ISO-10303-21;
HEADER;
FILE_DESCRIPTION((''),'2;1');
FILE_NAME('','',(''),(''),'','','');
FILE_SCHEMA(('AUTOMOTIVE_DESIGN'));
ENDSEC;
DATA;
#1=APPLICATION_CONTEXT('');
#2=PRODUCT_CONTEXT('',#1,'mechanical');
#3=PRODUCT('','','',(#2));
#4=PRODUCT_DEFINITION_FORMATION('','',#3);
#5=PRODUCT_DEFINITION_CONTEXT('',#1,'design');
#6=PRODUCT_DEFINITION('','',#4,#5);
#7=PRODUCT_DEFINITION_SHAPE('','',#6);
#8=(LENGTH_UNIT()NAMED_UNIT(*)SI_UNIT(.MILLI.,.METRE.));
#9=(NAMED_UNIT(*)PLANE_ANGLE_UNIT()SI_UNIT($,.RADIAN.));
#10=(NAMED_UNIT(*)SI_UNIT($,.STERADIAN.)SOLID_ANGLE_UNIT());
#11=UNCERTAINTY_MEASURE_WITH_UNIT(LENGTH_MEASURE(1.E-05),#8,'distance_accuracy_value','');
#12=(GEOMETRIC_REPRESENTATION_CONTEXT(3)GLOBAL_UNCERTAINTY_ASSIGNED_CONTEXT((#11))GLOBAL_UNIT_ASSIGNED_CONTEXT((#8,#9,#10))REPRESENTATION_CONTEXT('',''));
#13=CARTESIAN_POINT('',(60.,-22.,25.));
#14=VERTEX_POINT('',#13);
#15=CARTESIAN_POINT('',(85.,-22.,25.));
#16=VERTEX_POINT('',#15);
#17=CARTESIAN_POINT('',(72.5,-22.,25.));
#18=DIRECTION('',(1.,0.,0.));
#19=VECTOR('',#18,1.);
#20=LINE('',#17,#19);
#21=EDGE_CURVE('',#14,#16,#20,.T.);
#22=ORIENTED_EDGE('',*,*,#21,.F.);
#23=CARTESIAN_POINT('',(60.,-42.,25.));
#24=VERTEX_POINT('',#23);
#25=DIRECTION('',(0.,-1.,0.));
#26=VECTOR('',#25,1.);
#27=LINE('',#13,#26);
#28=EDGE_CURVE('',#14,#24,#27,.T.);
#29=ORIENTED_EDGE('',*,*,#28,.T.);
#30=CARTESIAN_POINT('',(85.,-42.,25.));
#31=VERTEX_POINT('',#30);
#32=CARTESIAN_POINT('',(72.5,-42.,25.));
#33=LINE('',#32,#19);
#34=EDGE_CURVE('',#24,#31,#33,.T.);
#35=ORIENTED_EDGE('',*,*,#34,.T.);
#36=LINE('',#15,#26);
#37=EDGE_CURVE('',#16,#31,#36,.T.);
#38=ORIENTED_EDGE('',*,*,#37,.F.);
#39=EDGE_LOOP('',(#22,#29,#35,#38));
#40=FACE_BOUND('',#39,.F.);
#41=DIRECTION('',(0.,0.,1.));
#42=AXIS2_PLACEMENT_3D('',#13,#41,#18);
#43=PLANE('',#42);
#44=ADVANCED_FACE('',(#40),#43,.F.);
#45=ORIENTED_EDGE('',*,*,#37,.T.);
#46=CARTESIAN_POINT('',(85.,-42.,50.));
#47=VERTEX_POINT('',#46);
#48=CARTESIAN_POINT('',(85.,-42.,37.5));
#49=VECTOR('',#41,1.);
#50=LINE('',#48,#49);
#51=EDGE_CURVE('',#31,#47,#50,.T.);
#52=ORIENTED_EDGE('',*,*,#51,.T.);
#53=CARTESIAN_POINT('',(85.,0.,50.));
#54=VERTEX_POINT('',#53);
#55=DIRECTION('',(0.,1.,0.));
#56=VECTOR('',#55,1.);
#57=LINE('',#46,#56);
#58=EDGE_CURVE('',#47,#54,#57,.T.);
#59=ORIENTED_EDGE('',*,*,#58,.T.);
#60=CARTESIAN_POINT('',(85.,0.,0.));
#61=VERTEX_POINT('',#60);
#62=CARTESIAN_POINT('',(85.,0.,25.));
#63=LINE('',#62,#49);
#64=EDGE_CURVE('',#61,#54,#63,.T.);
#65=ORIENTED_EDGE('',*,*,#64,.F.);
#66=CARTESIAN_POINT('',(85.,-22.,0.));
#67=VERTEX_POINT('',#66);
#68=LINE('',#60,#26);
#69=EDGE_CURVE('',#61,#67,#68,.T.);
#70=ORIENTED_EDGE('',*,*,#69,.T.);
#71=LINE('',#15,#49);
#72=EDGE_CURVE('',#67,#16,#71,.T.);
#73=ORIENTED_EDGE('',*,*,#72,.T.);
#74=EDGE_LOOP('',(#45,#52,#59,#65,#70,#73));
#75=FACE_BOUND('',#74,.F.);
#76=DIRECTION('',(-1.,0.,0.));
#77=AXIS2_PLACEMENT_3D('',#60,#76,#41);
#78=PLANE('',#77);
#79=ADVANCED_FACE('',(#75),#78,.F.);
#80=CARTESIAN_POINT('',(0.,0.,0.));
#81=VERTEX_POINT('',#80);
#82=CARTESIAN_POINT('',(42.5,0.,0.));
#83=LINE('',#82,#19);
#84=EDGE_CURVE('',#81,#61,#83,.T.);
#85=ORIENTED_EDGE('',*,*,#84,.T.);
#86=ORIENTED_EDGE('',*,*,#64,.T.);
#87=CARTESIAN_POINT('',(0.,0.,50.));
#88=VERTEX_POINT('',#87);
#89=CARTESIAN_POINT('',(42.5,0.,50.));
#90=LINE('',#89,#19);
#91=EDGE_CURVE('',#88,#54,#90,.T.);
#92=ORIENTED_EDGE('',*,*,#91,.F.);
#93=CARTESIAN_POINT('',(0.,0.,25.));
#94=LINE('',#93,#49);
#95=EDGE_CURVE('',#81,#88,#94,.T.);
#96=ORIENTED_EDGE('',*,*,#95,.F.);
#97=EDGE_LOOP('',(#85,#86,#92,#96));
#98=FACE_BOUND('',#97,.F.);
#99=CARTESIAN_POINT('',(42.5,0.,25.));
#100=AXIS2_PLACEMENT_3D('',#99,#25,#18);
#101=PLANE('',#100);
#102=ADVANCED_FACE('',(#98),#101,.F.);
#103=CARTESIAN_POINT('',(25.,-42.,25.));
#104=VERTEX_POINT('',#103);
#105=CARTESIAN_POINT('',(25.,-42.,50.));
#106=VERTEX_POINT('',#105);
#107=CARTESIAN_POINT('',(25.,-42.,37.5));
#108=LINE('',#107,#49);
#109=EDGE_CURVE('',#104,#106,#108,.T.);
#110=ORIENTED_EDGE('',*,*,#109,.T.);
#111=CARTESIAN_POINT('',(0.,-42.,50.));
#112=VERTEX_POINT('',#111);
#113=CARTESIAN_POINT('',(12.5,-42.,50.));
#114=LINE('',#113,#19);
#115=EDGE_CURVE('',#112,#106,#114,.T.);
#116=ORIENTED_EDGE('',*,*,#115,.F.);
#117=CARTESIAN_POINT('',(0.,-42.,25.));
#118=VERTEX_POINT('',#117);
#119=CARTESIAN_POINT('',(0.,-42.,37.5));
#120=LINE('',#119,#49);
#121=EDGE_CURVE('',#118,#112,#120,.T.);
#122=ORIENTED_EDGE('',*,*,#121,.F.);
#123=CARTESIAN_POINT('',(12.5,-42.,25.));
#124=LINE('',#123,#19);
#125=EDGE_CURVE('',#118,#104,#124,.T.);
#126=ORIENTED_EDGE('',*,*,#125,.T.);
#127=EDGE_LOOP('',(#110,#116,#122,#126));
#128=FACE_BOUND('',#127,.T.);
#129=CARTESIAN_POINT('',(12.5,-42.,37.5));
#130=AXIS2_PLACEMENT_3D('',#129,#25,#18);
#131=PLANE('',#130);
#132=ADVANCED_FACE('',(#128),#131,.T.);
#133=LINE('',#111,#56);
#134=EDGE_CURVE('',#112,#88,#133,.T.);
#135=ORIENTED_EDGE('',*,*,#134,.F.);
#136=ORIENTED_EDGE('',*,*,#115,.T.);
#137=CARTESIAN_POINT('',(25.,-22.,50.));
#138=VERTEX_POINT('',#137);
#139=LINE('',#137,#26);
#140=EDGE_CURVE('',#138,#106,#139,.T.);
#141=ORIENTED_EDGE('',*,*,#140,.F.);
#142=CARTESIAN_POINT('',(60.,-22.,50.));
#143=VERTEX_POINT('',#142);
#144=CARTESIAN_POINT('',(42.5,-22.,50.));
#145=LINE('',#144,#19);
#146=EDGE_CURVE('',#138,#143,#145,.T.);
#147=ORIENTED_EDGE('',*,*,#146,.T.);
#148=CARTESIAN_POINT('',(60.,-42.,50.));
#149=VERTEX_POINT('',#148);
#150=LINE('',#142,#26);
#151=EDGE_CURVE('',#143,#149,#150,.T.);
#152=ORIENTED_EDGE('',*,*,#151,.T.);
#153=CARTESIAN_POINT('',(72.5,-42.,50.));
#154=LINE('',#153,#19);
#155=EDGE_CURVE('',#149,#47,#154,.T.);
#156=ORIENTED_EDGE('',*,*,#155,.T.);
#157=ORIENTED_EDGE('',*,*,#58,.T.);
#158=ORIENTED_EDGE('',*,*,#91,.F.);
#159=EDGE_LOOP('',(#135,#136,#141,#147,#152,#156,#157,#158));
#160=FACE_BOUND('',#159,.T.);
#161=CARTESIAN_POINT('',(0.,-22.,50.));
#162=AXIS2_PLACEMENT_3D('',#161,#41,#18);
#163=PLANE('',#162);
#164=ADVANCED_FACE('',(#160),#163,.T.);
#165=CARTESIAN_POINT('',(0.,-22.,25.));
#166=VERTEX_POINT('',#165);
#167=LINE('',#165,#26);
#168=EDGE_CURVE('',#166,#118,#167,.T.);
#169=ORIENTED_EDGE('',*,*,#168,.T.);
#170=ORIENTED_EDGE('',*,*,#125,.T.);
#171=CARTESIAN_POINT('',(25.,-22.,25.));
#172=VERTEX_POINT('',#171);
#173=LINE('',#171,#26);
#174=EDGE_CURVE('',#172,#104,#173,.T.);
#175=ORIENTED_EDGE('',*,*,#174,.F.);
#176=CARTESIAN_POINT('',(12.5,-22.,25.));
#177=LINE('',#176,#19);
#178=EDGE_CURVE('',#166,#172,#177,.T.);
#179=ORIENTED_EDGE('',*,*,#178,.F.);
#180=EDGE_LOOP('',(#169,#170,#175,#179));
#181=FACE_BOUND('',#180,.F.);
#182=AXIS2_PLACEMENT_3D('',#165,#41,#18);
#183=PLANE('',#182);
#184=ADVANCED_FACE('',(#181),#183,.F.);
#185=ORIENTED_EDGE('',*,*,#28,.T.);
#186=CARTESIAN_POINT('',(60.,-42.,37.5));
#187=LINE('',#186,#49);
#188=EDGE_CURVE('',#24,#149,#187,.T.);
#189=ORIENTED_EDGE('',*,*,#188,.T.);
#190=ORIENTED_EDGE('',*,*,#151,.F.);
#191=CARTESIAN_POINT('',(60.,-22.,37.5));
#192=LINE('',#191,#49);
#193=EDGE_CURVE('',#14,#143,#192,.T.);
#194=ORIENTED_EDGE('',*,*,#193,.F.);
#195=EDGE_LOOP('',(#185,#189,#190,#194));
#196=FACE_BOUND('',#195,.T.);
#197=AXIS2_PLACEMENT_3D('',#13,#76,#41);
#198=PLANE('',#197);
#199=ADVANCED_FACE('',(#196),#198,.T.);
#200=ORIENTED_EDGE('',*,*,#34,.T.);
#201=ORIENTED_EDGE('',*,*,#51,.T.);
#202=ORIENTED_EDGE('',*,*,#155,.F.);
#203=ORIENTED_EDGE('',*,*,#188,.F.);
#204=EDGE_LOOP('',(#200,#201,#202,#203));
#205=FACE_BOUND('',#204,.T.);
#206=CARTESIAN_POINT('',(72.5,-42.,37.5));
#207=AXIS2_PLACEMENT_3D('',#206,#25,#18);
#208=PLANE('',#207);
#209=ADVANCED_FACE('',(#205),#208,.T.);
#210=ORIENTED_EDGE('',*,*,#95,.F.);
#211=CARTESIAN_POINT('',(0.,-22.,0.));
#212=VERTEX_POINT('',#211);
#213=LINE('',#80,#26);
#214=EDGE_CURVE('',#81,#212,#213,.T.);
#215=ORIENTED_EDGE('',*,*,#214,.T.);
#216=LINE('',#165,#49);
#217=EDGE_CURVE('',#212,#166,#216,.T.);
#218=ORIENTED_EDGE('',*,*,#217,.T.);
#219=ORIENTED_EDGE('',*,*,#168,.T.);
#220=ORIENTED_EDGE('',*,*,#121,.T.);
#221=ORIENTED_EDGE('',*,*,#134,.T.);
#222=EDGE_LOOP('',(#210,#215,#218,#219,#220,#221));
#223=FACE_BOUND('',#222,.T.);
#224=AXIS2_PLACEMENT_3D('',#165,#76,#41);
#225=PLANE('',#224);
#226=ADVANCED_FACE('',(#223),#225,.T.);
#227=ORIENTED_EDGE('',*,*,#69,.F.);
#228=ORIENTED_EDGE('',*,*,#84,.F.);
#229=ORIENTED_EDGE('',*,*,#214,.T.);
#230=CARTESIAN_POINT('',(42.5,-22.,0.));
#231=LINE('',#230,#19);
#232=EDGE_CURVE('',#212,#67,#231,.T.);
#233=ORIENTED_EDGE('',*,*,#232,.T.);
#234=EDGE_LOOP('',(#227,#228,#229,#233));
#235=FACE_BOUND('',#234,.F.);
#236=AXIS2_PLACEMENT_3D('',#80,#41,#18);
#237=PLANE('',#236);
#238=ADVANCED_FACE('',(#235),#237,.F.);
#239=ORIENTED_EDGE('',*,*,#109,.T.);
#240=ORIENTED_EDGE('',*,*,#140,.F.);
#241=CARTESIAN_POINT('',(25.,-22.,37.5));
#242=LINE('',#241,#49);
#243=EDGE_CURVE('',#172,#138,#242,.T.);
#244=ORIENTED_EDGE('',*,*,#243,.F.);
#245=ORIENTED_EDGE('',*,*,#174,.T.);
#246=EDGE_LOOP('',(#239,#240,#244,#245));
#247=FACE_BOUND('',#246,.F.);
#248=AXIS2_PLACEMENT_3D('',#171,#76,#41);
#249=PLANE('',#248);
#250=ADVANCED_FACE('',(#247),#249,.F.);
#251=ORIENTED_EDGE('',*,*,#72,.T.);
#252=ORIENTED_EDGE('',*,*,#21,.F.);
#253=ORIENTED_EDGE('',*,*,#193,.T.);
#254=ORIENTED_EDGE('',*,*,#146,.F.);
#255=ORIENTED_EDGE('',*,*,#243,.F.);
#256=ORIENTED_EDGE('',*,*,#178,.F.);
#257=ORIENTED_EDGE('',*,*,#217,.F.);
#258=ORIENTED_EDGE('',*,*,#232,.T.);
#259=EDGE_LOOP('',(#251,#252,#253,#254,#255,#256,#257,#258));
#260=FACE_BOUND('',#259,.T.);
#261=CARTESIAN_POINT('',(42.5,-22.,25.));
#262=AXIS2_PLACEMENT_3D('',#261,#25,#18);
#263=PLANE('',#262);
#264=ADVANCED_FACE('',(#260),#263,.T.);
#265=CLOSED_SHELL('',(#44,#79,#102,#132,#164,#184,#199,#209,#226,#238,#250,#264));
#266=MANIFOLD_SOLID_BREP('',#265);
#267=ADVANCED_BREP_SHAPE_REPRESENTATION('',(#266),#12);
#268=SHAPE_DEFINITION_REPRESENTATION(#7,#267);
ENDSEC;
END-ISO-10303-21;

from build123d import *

# Parameters (mm, degrees)
F0_W     = 85
F0_H     = 50
F1_DEPTH = 22
F2_W     = 25
F2_H     = 25
F3_DEPTH = 20


with BuildPart() as f1:
    # F0 (on Front) → F1 (new body)
    with BuildSketch(Plane.XZ):
        with Locations((42.5, 25)):
            Rectangle(F0_W, F0_H)
    extrude(amount=F1_DEPTH)

    # F2 (on face) → F3 (join)
    with BuildSketch(Plane.XZ.offset(22)):
        with Locations((12.5, 37.5)):
            Rectangle(F2_W, F2_H)
        with Locations((72.5, 37.5)):
            Rectangle(F2_W, F2_H)
    extrude(amount=F3_DEPTH)


solid = f1.part
